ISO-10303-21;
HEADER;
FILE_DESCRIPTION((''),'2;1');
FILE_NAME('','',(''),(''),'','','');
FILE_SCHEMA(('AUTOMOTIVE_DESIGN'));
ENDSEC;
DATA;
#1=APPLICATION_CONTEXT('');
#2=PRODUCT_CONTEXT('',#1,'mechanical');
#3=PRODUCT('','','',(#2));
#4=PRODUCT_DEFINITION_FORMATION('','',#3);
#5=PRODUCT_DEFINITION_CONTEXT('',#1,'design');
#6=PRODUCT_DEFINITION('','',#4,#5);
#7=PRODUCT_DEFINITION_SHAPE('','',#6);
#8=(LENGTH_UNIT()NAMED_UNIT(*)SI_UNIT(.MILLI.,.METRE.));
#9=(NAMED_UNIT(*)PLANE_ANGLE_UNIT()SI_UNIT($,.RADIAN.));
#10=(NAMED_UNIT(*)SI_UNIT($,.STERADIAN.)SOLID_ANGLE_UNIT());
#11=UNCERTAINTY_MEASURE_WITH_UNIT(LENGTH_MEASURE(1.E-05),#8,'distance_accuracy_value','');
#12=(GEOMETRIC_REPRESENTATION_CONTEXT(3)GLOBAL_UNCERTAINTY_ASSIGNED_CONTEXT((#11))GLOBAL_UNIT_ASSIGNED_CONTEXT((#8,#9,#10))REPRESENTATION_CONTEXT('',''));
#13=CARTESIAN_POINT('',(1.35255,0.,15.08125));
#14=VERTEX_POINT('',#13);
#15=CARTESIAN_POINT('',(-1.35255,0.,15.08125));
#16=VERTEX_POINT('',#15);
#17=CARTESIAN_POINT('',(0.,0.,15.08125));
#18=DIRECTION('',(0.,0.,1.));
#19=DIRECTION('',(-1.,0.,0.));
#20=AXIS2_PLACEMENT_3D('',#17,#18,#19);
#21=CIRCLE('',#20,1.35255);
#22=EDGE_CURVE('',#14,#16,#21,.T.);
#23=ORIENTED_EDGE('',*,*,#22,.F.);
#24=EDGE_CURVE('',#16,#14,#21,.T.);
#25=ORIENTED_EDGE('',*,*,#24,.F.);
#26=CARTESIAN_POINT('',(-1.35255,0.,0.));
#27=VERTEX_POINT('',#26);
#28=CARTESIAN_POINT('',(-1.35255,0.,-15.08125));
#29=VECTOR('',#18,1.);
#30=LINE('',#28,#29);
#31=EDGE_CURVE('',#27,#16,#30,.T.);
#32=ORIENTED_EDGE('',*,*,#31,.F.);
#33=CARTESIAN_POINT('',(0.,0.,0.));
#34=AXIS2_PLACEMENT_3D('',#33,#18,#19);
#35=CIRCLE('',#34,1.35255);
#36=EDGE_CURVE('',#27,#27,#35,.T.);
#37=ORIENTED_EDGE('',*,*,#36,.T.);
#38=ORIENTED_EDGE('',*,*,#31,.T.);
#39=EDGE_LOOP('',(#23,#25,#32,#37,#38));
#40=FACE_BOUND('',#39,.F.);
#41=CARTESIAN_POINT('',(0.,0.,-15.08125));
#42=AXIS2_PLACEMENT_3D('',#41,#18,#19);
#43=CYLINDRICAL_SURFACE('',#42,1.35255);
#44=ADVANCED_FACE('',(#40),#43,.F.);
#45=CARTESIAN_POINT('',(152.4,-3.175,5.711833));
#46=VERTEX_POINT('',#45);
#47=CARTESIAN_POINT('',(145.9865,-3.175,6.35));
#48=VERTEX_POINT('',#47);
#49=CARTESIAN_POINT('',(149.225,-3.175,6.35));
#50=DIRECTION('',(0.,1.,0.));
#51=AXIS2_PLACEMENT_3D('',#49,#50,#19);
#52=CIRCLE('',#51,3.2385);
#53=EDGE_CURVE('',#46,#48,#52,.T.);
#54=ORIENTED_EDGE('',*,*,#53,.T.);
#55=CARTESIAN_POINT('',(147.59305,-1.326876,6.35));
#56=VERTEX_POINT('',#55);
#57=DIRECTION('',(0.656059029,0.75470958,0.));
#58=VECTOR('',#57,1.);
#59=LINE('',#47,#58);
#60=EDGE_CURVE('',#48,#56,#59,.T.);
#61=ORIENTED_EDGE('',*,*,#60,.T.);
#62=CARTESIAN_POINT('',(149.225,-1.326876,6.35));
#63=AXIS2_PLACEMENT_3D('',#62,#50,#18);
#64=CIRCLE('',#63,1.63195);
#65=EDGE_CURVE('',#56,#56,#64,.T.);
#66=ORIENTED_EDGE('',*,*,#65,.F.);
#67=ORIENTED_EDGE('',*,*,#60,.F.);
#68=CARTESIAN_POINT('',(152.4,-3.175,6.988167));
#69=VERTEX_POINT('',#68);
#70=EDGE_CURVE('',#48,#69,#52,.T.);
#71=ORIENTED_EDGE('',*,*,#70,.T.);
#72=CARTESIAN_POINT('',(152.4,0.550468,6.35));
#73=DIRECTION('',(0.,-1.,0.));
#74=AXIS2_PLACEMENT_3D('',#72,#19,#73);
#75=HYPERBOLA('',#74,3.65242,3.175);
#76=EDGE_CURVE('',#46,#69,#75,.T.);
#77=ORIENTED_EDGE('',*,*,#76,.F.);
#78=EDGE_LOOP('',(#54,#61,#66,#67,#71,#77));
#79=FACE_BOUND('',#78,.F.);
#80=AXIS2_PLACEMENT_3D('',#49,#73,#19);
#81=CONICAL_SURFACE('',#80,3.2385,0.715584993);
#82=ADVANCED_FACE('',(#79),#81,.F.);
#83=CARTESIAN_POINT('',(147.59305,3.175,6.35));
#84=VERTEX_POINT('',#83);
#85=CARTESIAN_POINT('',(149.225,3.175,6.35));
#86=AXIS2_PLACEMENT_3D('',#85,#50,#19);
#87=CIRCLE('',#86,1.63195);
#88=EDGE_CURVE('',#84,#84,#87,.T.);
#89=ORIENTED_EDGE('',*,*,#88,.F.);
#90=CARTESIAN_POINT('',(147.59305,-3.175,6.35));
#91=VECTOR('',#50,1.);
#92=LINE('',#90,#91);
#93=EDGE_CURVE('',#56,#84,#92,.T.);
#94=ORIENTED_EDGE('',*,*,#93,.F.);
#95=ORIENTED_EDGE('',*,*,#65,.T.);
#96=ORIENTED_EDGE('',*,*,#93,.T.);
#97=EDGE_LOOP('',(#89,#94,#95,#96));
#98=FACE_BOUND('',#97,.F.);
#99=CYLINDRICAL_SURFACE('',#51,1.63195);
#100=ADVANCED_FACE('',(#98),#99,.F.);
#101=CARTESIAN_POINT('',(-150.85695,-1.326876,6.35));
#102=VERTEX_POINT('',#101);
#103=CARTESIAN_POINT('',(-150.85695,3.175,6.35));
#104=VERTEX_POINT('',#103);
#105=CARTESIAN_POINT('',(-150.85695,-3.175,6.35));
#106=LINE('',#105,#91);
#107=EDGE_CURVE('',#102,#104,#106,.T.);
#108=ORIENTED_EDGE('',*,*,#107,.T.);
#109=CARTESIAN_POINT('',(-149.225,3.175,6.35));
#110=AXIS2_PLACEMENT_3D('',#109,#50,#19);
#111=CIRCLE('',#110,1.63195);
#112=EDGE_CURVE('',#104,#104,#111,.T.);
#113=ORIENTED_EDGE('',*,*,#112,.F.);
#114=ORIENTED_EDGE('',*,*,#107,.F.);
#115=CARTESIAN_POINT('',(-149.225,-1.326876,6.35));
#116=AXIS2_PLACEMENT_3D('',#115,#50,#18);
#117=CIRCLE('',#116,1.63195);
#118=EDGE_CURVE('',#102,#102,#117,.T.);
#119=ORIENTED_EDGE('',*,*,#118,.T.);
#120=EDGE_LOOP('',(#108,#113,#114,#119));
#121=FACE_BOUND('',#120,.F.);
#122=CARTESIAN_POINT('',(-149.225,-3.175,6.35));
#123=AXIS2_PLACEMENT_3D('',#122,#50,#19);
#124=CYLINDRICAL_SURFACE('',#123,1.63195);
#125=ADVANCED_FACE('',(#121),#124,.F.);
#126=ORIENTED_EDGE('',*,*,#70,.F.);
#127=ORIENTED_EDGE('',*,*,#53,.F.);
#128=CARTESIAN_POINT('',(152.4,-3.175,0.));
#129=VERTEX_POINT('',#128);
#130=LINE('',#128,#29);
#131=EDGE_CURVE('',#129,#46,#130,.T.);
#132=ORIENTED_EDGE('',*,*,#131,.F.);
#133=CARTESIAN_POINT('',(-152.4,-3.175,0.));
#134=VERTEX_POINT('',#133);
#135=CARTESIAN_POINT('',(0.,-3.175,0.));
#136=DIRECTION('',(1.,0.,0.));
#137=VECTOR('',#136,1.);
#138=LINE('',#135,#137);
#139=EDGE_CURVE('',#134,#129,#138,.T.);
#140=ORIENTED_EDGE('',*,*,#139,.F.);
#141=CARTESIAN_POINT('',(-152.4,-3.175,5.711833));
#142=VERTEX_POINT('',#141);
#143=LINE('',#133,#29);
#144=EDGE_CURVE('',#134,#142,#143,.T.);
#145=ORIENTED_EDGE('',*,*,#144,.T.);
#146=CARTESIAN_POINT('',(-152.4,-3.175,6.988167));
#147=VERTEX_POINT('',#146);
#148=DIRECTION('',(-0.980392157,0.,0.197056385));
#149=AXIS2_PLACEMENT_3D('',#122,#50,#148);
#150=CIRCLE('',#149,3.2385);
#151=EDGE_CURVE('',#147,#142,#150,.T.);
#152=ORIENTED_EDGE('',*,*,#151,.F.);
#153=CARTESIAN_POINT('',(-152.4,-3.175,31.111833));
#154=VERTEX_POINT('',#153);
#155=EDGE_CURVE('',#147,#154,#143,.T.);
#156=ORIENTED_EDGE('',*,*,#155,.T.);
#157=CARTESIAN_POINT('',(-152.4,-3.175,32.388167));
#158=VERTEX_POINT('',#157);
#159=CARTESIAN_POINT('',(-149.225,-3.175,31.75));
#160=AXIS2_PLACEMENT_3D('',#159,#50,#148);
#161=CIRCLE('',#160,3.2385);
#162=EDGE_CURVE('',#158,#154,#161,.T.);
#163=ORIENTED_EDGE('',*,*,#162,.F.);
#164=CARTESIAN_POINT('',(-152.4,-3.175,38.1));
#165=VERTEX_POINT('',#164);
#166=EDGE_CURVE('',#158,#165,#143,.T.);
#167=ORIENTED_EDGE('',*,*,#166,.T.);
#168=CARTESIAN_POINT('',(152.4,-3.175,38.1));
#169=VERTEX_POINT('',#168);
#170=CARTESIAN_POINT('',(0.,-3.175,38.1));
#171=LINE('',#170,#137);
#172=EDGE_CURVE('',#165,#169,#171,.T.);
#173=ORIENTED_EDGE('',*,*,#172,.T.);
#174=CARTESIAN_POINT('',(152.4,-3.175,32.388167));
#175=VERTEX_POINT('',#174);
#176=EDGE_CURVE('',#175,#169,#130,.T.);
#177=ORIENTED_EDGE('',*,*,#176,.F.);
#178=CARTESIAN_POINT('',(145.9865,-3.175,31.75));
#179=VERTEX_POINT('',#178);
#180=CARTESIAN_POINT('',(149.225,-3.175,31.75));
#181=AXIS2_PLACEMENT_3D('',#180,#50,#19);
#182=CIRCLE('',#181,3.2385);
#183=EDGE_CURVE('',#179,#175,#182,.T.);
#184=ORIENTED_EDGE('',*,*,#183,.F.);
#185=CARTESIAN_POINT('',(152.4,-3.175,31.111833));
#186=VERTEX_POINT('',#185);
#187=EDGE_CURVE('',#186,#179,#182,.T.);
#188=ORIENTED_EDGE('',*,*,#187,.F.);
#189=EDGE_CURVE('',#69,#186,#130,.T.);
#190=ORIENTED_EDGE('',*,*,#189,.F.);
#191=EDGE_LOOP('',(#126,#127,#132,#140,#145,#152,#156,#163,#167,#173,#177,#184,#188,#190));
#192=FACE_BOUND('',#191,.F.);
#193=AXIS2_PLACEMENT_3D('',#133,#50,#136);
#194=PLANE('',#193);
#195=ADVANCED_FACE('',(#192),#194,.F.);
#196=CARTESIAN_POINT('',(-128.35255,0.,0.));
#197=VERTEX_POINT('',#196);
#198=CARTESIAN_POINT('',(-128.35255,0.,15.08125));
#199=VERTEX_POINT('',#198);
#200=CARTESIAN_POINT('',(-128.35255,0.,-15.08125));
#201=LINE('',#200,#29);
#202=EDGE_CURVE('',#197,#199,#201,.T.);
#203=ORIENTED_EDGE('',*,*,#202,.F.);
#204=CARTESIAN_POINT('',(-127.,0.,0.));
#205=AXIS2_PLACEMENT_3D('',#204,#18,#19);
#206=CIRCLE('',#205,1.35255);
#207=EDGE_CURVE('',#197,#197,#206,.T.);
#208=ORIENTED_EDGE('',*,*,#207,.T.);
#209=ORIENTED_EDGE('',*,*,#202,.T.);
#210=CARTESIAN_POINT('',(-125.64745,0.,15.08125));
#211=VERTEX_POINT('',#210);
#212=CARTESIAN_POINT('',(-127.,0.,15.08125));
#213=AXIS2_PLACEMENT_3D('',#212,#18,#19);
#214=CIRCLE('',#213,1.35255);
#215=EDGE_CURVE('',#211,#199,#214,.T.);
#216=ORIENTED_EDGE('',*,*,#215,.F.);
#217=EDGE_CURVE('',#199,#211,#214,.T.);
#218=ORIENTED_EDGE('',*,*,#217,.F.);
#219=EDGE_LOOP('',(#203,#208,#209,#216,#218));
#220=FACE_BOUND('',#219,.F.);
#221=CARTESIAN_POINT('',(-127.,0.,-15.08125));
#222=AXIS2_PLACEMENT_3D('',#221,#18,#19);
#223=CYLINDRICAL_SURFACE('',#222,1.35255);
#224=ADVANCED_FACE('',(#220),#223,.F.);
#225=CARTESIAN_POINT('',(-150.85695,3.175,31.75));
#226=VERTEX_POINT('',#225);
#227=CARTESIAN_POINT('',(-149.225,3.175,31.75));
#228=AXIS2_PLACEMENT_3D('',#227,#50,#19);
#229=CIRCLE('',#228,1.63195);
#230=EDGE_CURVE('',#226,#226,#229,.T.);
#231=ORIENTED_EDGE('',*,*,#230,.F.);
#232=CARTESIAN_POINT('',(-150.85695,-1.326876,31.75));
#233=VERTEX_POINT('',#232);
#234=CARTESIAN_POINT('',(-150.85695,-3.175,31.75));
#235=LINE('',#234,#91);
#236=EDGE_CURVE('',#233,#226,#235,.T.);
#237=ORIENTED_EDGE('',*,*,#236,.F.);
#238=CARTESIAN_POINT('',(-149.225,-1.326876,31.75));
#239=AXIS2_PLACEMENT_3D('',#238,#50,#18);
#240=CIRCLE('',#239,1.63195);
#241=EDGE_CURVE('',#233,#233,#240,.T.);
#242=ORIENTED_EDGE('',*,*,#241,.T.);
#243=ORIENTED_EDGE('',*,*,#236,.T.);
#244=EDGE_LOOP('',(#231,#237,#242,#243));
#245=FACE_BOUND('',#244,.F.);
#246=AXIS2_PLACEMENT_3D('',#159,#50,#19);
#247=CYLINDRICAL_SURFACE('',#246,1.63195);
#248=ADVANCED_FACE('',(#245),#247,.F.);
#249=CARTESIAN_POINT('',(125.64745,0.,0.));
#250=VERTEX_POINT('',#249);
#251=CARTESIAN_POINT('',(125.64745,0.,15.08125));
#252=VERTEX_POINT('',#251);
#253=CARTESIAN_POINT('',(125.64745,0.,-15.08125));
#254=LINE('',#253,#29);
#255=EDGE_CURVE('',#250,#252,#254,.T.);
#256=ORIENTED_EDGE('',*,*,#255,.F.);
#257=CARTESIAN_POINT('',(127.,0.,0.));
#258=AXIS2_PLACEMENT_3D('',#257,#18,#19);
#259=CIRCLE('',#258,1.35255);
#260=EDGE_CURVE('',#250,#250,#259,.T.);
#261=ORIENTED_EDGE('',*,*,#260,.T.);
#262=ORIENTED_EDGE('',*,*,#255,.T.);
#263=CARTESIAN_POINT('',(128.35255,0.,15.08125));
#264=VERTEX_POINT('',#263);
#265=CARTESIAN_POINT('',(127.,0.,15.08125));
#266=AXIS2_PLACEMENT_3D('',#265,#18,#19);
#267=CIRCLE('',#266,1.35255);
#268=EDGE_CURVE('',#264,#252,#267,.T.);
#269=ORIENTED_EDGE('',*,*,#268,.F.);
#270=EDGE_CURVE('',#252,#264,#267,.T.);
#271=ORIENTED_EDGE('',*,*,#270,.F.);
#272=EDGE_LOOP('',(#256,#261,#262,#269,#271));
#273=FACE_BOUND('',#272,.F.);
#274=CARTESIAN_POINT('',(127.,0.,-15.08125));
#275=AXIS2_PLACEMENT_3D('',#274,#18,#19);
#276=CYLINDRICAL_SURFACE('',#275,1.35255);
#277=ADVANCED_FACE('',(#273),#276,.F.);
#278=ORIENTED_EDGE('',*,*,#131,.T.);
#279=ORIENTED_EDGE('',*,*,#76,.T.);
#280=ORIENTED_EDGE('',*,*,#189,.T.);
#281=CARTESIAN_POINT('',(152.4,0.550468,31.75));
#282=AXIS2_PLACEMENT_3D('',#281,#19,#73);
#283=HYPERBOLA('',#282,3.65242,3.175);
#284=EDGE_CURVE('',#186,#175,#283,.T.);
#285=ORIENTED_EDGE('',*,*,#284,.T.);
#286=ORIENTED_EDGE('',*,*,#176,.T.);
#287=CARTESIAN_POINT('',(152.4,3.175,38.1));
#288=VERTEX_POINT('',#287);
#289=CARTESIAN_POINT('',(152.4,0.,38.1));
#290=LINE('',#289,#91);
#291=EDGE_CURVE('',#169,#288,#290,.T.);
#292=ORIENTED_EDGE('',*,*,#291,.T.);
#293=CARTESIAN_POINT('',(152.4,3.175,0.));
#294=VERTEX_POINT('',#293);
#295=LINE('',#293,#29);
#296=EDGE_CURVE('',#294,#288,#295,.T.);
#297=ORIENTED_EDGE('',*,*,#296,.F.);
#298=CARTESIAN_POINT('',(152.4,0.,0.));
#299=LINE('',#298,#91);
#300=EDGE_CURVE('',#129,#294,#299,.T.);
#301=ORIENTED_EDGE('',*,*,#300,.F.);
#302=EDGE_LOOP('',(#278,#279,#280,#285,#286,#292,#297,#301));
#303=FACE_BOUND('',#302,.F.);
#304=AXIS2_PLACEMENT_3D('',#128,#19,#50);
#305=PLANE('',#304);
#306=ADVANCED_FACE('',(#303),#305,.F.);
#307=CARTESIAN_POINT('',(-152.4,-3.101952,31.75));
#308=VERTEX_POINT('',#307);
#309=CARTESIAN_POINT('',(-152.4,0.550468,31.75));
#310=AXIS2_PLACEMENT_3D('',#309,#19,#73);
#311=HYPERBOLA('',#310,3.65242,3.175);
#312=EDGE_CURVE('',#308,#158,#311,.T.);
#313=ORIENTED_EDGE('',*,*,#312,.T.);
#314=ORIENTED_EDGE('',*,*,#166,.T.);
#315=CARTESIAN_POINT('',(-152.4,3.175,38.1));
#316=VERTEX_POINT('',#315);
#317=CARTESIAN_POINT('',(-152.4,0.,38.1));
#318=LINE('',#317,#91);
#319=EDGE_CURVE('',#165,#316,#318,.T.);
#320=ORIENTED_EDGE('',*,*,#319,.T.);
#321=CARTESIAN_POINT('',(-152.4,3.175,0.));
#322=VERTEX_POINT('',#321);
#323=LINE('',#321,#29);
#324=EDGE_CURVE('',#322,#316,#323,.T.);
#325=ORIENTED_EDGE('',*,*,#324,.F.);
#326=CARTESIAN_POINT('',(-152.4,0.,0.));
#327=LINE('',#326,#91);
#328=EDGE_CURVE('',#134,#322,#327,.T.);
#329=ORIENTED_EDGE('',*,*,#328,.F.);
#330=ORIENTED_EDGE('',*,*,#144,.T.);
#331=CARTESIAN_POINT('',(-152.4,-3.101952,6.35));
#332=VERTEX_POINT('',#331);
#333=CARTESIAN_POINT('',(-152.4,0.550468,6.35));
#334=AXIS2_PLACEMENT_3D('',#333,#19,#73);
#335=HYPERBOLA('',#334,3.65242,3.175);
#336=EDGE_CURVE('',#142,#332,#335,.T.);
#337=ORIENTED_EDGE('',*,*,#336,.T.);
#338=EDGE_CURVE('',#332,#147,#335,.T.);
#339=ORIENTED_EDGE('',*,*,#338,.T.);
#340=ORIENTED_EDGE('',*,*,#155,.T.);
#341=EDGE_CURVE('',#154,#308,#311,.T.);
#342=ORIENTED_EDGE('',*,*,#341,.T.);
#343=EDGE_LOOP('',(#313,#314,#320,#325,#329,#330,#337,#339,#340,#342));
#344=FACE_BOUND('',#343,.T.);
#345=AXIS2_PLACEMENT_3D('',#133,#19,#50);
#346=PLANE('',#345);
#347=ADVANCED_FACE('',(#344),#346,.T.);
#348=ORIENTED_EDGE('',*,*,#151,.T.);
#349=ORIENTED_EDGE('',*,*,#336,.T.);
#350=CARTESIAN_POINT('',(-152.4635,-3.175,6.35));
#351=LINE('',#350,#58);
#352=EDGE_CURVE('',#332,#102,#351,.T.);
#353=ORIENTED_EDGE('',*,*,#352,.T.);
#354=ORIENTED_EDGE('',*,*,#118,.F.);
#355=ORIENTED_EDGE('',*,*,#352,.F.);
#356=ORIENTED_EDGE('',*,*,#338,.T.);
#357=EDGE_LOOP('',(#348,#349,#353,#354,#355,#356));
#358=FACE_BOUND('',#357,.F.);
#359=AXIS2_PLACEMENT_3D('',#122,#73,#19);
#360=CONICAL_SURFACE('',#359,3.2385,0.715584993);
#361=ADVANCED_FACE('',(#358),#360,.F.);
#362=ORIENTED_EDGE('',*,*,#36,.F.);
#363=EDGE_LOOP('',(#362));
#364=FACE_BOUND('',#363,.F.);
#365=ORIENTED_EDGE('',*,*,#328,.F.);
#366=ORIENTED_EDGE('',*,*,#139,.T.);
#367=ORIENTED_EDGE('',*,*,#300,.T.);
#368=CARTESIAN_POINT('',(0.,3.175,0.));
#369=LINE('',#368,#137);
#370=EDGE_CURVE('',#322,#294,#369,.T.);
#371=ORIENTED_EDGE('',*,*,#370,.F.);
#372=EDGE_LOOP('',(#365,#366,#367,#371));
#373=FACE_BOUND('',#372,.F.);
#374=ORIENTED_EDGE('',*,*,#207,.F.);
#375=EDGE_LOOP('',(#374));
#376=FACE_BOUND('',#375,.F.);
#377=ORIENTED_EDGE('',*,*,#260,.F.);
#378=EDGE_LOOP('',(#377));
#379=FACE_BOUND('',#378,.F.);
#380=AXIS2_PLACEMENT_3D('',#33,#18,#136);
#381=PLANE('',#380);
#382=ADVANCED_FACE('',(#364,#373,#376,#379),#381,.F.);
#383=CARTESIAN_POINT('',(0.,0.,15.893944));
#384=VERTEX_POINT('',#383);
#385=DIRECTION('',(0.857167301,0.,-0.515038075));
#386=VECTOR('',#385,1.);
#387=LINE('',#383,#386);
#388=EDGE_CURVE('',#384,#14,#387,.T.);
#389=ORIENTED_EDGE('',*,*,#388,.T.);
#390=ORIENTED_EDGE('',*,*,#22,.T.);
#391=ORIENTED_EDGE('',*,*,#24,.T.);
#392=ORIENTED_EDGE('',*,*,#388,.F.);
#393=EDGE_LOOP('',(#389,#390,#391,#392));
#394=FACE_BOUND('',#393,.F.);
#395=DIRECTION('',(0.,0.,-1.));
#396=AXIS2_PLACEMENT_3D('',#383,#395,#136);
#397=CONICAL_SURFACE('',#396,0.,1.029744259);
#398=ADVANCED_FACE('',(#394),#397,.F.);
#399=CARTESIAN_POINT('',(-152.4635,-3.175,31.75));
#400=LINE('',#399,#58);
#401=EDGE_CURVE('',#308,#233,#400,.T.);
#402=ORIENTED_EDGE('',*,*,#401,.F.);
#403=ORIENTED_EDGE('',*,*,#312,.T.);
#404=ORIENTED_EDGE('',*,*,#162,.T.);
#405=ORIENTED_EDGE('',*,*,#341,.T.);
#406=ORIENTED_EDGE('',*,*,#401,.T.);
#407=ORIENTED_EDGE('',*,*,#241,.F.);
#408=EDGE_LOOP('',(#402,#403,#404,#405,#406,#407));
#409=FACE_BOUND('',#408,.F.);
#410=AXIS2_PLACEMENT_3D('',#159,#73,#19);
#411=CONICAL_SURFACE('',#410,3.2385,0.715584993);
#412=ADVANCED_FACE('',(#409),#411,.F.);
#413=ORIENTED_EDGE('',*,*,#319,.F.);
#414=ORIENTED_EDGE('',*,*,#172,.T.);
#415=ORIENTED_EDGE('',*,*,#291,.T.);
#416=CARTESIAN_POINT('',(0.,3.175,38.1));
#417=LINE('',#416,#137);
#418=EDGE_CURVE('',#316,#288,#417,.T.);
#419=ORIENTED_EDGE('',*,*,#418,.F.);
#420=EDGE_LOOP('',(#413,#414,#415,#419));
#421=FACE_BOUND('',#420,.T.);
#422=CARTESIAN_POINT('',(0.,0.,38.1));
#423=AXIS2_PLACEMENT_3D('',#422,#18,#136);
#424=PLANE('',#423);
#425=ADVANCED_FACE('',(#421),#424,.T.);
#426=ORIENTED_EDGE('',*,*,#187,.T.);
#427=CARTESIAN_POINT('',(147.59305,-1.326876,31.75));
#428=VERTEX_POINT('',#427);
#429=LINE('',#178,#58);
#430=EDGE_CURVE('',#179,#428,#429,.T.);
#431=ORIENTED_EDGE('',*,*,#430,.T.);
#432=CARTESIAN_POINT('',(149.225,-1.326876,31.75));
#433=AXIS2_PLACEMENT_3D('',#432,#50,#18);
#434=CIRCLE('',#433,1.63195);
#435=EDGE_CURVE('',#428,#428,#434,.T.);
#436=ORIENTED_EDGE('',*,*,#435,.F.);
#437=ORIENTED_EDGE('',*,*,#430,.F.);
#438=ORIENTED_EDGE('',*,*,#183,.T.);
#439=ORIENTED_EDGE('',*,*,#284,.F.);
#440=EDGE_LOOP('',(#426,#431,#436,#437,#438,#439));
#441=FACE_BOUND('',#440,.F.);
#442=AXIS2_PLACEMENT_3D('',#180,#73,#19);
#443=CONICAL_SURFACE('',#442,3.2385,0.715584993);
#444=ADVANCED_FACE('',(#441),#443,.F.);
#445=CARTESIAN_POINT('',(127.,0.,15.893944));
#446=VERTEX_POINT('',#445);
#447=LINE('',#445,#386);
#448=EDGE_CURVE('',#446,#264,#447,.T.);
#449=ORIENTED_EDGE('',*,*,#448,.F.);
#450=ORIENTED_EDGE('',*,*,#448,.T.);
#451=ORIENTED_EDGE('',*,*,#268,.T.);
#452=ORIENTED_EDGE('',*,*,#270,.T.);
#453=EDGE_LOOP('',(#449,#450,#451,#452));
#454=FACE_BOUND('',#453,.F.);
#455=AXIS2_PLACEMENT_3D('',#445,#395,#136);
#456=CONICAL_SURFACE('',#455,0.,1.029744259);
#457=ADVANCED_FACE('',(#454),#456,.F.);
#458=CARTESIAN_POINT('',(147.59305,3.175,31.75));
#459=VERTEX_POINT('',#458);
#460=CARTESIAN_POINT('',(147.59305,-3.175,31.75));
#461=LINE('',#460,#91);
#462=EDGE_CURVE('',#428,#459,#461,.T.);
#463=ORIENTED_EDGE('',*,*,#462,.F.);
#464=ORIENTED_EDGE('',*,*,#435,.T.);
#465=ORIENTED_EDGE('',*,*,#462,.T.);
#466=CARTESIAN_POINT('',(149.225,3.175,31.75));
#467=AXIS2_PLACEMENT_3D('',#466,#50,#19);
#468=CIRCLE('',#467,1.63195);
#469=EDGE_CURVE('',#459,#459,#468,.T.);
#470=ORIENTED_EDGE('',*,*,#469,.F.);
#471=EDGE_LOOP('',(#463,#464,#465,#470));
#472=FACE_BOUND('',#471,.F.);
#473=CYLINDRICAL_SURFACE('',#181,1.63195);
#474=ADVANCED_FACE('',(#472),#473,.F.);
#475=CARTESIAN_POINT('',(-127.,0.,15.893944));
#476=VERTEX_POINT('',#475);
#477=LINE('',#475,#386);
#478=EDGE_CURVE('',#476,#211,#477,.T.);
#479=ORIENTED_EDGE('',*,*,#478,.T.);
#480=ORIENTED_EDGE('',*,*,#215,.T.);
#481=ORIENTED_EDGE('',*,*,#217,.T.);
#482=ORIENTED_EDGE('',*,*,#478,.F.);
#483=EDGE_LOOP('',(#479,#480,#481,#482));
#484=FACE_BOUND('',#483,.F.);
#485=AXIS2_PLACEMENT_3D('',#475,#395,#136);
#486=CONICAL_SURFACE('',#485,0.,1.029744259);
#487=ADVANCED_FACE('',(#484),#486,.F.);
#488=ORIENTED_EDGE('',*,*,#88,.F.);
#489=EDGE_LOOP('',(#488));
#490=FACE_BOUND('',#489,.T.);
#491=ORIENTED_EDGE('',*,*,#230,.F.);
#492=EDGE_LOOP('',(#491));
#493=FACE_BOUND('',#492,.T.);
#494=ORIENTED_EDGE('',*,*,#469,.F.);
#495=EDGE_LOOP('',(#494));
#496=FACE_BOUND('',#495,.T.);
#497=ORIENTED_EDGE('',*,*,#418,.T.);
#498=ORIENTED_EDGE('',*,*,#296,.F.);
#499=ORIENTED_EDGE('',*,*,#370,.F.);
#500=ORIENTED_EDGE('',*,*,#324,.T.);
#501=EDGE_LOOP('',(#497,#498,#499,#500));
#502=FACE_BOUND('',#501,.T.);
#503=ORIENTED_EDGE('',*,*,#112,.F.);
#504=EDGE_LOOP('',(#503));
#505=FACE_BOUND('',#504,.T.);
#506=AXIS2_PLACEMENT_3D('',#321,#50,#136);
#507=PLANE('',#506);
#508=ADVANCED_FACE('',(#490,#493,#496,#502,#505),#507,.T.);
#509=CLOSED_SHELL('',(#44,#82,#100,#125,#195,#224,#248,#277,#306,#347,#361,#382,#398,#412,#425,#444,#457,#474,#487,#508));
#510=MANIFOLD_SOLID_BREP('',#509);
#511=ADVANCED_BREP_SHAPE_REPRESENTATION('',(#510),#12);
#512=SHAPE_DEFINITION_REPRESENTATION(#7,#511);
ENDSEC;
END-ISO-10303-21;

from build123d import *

# Parameters (mm, degrees)
F0_W           = 304.8
F0_H           = 6.35
F1_DEPTH       = 38.1
F3_D           = 2.7051
F3_DEPTH       = 15.08125
F3_TIP         = 0.8126940303
F5_D           = 3.2639
F5_CSINK_D     = 6.477
F5_CSINK_ANGLE = 82


with BuildPart() as f1:
    # F0 (on Top) → F1 (new body)
    with BuildSketch(Plane.XY):
        Rectangle(F0_W, F0_H)
    extrude(amount=F1_DEPTH)

    # F3
    with Locations(Plane(origin=(0, 0, 0), x_dir=(1, 0, 0), z_dir=(0, 0, -1))):
        with Locations((-127, 0), (127, 0), (0, 0)):
            Hole(F3_D / 2, depth=F3_DEPTH)
            with Locations((0, 0, -(F3_DEPTH + F3_TIP / 2))):  # 118° drill point
                Cone(0, F3_D / 2, F3_TIP, mode=Mode.SUBTRACT)

    # F5 (through all)
    with Locations(Plane.XZ.offset(3.175)):
        with Locations((-149.225, 31.75), (-149.225, 6.35), (149.225, 31.75), (149.225, 6.35)):
            CounterSinkHole(F5_D / 2, F5_CSINK_D / 2, counter_sink_angle=F5_CSINK_ANGLE)


solid = f1.part
